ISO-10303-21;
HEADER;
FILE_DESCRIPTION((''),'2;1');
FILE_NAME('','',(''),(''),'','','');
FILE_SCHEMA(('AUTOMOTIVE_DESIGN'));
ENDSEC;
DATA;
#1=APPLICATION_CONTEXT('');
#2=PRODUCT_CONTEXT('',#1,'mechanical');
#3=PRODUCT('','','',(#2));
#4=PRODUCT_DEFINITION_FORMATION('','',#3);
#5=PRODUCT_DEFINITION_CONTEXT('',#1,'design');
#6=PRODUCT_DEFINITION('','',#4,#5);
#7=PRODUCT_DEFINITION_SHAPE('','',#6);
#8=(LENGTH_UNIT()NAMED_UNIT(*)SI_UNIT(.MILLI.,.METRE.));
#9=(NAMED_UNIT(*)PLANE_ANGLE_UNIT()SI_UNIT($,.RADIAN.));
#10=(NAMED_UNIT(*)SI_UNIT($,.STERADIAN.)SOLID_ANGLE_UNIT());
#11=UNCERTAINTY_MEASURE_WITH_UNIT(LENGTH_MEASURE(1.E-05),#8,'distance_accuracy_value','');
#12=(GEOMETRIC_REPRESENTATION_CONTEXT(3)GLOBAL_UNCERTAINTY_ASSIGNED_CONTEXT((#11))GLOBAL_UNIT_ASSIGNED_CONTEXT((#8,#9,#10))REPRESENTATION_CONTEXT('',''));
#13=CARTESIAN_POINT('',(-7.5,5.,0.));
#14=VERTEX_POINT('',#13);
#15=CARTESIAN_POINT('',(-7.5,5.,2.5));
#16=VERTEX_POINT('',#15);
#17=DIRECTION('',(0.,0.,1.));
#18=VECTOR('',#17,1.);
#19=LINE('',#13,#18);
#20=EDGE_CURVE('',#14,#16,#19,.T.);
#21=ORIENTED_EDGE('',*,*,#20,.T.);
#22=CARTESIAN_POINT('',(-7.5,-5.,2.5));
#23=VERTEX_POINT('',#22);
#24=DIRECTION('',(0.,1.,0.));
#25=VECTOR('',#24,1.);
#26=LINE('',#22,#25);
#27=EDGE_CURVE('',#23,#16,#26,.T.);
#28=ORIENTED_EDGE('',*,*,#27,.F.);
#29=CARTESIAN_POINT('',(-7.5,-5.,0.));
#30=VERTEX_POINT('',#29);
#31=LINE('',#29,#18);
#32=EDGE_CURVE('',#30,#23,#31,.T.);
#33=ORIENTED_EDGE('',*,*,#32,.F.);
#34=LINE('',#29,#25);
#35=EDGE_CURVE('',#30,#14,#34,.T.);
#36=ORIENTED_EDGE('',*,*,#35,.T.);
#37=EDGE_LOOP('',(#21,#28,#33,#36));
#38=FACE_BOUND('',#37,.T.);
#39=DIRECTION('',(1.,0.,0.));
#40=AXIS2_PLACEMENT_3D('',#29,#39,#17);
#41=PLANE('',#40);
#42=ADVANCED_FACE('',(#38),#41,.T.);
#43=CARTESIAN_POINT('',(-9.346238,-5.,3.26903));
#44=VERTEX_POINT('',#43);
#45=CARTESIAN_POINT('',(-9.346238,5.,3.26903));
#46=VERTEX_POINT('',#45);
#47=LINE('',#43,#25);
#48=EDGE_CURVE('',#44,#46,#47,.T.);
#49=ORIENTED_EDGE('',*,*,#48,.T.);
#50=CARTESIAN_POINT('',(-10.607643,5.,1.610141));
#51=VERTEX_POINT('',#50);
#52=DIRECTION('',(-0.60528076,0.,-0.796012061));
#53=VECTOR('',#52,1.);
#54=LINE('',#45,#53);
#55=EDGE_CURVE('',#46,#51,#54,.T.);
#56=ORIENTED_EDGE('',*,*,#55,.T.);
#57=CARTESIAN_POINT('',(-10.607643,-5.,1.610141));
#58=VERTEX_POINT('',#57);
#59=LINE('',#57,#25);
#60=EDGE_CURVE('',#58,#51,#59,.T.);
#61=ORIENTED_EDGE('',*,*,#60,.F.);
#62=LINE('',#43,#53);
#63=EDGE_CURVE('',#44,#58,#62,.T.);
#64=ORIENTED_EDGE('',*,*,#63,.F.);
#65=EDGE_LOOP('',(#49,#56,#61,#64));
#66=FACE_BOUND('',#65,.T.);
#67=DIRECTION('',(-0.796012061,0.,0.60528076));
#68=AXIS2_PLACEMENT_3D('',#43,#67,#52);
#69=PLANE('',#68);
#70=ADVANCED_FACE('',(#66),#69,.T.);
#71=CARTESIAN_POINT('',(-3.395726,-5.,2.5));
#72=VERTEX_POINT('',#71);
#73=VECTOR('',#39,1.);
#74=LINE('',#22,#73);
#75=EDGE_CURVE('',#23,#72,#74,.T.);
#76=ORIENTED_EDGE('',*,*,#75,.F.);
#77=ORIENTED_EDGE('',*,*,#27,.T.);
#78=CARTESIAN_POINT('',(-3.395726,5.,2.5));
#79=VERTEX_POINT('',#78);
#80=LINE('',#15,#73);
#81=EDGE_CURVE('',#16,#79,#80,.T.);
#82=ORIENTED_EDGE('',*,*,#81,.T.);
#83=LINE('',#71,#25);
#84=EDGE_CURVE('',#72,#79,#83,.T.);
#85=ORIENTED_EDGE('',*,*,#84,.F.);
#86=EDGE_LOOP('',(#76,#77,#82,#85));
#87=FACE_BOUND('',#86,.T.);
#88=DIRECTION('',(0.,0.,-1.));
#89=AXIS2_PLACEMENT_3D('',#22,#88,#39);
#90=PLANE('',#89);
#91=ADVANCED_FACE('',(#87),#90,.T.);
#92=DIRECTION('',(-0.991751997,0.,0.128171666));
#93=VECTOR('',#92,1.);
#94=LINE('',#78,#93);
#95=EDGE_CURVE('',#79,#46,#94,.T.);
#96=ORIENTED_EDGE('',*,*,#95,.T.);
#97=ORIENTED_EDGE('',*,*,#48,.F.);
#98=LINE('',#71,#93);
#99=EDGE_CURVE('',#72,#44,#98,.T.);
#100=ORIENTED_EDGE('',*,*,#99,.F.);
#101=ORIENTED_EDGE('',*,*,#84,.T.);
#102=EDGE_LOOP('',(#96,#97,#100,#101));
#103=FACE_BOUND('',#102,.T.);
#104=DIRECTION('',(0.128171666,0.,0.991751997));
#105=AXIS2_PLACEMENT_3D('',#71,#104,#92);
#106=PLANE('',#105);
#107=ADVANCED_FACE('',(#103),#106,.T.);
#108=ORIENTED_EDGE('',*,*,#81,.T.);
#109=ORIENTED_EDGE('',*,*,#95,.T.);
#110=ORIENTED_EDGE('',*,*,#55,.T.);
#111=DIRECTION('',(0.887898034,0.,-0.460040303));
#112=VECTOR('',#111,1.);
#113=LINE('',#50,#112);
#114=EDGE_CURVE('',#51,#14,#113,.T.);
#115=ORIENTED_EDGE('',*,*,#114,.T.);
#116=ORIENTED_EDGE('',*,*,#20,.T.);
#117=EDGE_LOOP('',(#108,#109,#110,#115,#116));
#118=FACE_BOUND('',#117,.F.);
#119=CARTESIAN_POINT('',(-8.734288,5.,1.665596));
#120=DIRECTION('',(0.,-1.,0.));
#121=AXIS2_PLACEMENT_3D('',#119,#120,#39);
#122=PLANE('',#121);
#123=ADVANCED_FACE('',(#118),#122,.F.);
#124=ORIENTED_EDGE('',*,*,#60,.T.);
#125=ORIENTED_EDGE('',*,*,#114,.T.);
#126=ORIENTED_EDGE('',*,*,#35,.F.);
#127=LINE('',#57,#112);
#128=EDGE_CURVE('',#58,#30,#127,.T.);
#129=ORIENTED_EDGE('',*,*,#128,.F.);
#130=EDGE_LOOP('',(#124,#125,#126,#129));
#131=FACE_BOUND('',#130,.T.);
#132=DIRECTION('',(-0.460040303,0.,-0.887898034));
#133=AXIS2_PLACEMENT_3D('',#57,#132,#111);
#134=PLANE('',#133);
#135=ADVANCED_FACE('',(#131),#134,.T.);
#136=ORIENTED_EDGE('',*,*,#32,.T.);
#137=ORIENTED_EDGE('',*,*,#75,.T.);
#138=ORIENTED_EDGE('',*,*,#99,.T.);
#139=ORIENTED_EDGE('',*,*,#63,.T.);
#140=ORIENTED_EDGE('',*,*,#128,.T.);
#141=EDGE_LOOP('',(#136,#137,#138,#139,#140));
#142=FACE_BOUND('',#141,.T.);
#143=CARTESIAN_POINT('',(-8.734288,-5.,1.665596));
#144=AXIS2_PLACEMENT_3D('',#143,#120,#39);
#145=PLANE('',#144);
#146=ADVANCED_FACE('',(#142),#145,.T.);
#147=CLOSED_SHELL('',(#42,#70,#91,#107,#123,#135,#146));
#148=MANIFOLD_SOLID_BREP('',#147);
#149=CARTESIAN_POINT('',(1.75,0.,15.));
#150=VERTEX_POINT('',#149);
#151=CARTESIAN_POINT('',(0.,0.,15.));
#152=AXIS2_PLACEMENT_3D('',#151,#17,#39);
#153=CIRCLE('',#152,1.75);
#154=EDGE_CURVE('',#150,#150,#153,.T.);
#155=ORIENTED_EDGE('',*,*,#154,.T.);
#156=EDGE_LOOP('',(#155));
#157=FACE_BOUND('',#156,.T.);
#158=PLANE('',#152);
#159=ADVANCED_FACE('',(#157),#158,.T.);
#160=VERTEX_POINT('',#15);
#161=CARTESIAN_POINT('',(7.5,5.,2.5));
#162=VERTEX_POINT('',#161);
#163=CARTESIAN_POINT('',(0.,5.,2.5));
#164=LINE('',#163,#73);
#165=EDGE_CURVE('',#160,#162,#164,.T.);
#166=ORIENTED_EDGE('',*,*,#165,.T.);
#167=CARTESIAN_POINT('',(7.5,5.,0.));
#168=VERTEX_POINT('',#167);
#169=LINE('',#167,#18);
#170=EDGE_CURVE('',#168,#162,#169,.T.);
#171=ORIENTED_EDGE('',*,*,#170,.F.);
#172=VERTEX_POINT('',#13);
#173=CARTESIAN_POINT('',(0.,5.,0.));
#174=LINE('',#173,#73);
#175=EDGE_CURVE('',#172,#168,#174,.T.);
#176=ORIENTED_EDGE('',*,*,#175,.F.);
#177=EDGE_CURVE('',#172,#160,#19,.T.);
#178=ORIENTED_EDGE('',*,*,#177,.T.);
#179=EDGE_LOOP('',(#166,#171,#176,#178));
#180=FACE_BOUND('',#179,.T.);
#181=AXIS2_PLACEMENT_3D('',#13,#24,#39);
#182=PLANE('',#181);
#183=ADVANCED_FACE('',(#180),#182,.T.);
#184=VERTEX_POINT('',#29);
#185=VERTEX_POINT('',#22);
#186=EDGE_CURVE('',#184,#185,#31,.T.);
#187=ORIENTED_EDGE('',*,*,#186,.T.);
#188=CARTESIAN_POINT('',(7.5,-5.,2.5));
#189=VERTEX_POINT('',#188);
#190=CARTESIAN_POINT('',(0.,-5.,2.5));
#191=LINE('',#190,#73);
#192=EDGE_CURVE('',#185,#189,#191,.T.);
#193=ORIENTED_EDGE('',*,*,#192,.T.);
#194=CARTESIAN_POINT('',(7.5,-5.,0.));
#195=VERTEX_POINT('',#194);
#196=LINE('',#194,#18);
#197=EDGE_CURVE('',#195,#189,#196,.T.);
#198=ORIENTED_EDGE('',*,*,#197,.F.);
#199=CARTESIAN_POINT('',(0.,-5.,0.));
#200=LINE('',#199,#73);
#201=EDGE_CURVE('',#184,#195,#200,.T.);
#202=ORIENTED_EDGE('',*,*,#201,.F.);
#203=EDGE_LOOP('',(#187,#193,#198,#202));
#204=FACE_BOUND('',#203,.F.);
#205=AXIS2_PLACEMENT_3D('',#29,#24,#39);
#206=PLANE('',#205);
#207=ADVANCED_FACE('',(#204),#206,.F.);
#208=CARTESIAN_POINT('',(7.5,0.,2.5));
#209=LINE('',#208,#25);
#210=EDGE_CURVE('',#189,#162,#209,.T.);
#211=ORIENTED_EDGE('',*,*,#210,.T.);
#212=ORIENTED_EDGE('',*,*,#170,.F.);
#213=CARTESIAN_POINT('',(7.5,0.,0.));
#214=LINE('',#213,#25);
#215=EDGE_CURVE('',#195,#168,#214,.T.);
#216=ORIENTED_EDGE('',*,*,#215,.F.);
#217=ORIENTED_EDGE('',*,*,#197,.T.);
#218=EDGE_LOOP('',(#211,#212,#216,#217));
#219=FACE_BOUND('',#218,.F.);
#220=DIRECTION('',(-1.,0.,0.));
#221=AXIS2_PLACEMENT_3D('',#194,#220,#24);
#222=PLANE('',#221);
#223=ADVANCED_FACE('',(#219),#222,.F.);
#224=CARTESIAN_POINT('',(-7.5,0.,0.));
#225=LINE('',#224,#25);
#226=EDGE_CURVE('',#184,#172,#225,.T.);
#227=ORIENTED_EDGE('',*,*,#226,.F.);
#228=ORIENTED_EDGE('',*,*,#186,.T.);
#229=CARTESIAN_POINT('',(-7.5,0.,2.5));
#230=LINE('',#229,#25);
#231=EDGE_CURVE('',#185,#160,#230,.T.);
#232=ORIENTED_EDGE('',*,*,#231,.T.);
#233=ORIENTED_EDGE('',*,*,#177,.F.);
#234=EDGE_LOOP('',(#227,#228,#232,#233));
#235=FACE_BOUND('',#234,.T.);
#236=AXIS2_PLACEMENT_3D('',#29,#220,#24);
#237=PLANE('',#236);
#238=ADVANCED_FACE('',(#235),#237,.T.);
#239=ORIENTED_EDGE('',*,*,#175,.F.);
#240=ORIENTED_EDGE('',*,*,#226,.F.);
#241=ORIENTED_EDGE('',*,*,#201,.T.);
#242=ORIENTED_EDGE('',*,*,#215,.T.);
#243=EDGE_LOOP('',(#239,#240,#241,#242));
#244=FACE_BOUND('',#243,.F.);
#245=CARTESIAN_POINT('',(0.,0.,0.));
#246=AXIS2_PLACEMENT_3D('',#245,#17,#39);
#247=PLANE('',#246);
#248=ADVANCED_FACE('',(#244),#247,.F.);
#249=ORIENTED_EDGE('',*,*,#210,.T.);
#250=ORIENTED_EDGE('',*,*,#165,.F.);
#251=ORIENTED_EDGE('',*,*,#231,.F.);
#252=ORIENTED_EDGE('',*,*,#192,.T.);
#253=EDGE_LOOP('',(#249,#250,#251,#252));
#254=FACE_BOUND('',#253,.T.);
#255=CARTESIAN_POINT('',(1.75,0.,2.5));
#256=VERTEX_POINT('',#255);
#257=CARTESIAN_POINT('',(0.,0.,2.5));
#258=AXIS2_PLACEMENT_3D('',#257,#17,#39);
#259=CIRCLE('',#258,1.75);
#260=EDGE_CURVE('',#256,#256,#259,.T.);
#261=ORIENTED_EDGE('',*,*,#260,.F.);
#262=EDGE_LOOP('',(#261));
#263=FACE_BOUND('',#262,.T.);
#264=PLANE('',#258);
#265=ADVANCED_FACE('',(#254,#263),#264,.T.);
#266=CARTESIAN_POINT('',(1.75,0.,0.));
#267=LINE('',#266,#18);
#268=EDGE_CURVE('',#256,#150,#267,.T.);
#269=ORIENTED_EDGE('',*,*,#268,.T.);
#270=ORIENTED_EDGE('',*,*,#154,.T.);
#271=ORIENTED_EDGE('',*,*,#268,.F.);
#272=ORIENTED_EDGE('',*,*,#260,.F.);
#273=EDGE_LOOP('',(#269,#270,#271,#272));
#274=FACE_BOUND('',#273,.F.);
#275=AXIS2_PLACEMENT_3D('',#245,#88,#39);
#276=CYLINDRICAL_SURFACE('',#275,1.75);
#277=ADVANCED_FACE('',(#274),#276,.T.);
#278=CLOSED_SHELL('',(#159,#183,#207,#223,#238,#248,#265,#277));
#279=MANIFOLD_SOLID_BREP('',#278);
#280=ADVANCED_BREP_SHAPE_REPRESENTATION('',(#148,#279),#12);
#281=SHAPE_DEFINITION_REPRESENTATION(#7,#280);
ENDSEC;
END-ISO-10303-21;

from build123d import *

# Parameters (mm, degrees)
F0_R     = 1.75
F1_DEPTH = 15
F0_W     = 15
F0_H     = 10
F2_DEPTH = 2.5
F4_DEPTH = 10


with BuildPart() as f1:
    # F0 (on Top) → F1 (new body)
    with BuildSketch(Plane.XY):
        Circle(F0_R)
    extrude(amount=F1_DEPTH)

    # F0 (on Top) → F2 (join)
    with BuildSketch(Plane.XY):
        Rectangle(F0_W, F0_H)
        Circle(F0_R, mode=Mode.SUBTRACT)
    extrude(amount=F2_DEPTH)


with BuildPart() as f4:
    # F3 (on face) → F4 (new body)
    with BuildSketch(Plane.XZ.offset(5)):
        Polygon((-10.607643, 1.610141), (-7.5, 0), (-7.5, 2.5), (-9.346238, 3.26903), align=None)
        Polygon((-9.346238, 3.26903), (-7.5, 2.5), (-3.395726, 2.5), align=None)
    extrude(amount=-F4_DEPTH)


solid = Compound([f1.part, f4.part])
